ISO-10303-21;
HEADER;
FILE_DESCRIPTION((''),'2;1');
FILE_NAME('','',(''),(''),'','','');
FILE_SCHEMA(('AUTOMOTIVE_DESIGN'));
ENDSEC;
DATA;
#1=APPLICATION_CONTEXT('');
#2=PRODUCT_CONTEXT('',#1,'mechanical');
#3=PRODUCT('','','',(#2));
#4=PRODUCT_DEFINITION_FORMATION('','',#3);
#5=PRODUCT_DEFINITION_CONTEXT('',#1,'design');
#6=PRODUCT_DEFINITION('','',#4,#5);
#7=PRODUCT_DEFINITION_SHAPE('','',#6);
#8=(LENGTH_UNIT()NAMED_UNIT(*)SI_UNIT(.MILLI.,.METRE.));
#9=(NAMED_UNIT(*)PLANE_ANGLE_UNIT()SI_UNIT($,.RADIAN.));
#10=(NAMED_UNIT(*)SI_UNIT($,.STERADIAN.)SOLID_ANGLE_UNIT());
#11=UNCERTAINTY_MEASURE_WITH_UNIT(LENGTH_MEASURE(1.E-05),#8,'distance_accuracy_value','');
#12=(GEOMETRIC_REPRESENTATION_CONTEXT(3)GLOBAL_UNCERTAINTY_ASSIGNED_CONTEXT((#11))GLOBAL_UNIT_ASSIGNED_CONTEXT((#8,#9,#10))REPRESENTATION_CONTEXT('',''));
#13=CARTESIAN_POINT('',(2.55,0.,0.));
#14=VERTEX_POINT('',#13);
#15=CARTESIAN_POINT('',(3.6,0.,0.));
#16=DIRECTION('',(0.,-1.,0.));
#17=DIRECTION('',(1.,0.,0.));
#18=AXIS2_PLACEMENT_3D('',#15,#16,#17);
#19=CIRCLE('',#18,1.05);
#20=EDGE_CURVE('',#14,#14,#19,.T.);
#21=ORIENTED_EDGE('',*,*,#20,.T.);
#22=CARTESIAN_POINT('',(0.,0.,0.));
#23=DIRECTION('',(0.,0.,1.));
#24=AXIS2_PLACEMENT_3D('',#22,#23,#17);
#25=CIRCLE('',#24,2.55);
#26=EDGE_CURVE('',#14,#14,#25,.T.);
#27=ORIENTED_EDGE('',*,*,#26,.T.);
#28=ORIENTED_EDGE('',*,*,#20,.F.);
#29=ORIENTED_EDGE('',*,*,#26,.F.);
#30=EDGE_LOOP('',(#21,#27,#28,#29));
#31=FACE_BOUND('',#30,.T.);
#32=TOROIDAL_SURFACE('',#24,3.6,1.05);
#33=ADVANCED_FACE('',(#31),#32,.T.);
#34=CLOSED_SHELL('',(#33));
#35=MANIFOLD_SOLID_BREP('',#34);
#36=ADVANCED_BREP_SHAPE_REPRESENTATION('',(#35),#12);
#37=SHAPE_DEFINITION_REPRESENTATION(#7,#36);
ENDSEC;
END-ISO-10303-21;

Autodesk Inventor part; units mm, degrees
ref_plane "YZ Plane" through (0, 0, 0) normal (1, 0, 0) x (0, 1, 0)
ref_plane "XZ Plane" through (0, 0, 0) normal (0, 1, 0) x (-1, 0, 0)
ref_plane "XY Plane" through (0, 0, 0) normal (0, 0, 1) x (1, 0, 0)
sketch "Sketch1" plane through (0, 0, 0) normal (0, 0, 1) x (1, 0, 0)
  circle A0 centre (0, 0) radius 2.6275
  dimension "d0" = 5.255
sketch "Sketch2" plane through (0, 0, 0) normal (0, 1, 0) x (-1, 0, 0)
  circle A0 centre (-3.6, 0) radius 1.05
  point P0 (0, 0)
  dimension "d1" = 2.1
  dimension "d2" = 3.6
sweep "Tire Base" add profiles "Sketch2" path "Sketch1"
properties part number "RollerTire" material "Rubber"
